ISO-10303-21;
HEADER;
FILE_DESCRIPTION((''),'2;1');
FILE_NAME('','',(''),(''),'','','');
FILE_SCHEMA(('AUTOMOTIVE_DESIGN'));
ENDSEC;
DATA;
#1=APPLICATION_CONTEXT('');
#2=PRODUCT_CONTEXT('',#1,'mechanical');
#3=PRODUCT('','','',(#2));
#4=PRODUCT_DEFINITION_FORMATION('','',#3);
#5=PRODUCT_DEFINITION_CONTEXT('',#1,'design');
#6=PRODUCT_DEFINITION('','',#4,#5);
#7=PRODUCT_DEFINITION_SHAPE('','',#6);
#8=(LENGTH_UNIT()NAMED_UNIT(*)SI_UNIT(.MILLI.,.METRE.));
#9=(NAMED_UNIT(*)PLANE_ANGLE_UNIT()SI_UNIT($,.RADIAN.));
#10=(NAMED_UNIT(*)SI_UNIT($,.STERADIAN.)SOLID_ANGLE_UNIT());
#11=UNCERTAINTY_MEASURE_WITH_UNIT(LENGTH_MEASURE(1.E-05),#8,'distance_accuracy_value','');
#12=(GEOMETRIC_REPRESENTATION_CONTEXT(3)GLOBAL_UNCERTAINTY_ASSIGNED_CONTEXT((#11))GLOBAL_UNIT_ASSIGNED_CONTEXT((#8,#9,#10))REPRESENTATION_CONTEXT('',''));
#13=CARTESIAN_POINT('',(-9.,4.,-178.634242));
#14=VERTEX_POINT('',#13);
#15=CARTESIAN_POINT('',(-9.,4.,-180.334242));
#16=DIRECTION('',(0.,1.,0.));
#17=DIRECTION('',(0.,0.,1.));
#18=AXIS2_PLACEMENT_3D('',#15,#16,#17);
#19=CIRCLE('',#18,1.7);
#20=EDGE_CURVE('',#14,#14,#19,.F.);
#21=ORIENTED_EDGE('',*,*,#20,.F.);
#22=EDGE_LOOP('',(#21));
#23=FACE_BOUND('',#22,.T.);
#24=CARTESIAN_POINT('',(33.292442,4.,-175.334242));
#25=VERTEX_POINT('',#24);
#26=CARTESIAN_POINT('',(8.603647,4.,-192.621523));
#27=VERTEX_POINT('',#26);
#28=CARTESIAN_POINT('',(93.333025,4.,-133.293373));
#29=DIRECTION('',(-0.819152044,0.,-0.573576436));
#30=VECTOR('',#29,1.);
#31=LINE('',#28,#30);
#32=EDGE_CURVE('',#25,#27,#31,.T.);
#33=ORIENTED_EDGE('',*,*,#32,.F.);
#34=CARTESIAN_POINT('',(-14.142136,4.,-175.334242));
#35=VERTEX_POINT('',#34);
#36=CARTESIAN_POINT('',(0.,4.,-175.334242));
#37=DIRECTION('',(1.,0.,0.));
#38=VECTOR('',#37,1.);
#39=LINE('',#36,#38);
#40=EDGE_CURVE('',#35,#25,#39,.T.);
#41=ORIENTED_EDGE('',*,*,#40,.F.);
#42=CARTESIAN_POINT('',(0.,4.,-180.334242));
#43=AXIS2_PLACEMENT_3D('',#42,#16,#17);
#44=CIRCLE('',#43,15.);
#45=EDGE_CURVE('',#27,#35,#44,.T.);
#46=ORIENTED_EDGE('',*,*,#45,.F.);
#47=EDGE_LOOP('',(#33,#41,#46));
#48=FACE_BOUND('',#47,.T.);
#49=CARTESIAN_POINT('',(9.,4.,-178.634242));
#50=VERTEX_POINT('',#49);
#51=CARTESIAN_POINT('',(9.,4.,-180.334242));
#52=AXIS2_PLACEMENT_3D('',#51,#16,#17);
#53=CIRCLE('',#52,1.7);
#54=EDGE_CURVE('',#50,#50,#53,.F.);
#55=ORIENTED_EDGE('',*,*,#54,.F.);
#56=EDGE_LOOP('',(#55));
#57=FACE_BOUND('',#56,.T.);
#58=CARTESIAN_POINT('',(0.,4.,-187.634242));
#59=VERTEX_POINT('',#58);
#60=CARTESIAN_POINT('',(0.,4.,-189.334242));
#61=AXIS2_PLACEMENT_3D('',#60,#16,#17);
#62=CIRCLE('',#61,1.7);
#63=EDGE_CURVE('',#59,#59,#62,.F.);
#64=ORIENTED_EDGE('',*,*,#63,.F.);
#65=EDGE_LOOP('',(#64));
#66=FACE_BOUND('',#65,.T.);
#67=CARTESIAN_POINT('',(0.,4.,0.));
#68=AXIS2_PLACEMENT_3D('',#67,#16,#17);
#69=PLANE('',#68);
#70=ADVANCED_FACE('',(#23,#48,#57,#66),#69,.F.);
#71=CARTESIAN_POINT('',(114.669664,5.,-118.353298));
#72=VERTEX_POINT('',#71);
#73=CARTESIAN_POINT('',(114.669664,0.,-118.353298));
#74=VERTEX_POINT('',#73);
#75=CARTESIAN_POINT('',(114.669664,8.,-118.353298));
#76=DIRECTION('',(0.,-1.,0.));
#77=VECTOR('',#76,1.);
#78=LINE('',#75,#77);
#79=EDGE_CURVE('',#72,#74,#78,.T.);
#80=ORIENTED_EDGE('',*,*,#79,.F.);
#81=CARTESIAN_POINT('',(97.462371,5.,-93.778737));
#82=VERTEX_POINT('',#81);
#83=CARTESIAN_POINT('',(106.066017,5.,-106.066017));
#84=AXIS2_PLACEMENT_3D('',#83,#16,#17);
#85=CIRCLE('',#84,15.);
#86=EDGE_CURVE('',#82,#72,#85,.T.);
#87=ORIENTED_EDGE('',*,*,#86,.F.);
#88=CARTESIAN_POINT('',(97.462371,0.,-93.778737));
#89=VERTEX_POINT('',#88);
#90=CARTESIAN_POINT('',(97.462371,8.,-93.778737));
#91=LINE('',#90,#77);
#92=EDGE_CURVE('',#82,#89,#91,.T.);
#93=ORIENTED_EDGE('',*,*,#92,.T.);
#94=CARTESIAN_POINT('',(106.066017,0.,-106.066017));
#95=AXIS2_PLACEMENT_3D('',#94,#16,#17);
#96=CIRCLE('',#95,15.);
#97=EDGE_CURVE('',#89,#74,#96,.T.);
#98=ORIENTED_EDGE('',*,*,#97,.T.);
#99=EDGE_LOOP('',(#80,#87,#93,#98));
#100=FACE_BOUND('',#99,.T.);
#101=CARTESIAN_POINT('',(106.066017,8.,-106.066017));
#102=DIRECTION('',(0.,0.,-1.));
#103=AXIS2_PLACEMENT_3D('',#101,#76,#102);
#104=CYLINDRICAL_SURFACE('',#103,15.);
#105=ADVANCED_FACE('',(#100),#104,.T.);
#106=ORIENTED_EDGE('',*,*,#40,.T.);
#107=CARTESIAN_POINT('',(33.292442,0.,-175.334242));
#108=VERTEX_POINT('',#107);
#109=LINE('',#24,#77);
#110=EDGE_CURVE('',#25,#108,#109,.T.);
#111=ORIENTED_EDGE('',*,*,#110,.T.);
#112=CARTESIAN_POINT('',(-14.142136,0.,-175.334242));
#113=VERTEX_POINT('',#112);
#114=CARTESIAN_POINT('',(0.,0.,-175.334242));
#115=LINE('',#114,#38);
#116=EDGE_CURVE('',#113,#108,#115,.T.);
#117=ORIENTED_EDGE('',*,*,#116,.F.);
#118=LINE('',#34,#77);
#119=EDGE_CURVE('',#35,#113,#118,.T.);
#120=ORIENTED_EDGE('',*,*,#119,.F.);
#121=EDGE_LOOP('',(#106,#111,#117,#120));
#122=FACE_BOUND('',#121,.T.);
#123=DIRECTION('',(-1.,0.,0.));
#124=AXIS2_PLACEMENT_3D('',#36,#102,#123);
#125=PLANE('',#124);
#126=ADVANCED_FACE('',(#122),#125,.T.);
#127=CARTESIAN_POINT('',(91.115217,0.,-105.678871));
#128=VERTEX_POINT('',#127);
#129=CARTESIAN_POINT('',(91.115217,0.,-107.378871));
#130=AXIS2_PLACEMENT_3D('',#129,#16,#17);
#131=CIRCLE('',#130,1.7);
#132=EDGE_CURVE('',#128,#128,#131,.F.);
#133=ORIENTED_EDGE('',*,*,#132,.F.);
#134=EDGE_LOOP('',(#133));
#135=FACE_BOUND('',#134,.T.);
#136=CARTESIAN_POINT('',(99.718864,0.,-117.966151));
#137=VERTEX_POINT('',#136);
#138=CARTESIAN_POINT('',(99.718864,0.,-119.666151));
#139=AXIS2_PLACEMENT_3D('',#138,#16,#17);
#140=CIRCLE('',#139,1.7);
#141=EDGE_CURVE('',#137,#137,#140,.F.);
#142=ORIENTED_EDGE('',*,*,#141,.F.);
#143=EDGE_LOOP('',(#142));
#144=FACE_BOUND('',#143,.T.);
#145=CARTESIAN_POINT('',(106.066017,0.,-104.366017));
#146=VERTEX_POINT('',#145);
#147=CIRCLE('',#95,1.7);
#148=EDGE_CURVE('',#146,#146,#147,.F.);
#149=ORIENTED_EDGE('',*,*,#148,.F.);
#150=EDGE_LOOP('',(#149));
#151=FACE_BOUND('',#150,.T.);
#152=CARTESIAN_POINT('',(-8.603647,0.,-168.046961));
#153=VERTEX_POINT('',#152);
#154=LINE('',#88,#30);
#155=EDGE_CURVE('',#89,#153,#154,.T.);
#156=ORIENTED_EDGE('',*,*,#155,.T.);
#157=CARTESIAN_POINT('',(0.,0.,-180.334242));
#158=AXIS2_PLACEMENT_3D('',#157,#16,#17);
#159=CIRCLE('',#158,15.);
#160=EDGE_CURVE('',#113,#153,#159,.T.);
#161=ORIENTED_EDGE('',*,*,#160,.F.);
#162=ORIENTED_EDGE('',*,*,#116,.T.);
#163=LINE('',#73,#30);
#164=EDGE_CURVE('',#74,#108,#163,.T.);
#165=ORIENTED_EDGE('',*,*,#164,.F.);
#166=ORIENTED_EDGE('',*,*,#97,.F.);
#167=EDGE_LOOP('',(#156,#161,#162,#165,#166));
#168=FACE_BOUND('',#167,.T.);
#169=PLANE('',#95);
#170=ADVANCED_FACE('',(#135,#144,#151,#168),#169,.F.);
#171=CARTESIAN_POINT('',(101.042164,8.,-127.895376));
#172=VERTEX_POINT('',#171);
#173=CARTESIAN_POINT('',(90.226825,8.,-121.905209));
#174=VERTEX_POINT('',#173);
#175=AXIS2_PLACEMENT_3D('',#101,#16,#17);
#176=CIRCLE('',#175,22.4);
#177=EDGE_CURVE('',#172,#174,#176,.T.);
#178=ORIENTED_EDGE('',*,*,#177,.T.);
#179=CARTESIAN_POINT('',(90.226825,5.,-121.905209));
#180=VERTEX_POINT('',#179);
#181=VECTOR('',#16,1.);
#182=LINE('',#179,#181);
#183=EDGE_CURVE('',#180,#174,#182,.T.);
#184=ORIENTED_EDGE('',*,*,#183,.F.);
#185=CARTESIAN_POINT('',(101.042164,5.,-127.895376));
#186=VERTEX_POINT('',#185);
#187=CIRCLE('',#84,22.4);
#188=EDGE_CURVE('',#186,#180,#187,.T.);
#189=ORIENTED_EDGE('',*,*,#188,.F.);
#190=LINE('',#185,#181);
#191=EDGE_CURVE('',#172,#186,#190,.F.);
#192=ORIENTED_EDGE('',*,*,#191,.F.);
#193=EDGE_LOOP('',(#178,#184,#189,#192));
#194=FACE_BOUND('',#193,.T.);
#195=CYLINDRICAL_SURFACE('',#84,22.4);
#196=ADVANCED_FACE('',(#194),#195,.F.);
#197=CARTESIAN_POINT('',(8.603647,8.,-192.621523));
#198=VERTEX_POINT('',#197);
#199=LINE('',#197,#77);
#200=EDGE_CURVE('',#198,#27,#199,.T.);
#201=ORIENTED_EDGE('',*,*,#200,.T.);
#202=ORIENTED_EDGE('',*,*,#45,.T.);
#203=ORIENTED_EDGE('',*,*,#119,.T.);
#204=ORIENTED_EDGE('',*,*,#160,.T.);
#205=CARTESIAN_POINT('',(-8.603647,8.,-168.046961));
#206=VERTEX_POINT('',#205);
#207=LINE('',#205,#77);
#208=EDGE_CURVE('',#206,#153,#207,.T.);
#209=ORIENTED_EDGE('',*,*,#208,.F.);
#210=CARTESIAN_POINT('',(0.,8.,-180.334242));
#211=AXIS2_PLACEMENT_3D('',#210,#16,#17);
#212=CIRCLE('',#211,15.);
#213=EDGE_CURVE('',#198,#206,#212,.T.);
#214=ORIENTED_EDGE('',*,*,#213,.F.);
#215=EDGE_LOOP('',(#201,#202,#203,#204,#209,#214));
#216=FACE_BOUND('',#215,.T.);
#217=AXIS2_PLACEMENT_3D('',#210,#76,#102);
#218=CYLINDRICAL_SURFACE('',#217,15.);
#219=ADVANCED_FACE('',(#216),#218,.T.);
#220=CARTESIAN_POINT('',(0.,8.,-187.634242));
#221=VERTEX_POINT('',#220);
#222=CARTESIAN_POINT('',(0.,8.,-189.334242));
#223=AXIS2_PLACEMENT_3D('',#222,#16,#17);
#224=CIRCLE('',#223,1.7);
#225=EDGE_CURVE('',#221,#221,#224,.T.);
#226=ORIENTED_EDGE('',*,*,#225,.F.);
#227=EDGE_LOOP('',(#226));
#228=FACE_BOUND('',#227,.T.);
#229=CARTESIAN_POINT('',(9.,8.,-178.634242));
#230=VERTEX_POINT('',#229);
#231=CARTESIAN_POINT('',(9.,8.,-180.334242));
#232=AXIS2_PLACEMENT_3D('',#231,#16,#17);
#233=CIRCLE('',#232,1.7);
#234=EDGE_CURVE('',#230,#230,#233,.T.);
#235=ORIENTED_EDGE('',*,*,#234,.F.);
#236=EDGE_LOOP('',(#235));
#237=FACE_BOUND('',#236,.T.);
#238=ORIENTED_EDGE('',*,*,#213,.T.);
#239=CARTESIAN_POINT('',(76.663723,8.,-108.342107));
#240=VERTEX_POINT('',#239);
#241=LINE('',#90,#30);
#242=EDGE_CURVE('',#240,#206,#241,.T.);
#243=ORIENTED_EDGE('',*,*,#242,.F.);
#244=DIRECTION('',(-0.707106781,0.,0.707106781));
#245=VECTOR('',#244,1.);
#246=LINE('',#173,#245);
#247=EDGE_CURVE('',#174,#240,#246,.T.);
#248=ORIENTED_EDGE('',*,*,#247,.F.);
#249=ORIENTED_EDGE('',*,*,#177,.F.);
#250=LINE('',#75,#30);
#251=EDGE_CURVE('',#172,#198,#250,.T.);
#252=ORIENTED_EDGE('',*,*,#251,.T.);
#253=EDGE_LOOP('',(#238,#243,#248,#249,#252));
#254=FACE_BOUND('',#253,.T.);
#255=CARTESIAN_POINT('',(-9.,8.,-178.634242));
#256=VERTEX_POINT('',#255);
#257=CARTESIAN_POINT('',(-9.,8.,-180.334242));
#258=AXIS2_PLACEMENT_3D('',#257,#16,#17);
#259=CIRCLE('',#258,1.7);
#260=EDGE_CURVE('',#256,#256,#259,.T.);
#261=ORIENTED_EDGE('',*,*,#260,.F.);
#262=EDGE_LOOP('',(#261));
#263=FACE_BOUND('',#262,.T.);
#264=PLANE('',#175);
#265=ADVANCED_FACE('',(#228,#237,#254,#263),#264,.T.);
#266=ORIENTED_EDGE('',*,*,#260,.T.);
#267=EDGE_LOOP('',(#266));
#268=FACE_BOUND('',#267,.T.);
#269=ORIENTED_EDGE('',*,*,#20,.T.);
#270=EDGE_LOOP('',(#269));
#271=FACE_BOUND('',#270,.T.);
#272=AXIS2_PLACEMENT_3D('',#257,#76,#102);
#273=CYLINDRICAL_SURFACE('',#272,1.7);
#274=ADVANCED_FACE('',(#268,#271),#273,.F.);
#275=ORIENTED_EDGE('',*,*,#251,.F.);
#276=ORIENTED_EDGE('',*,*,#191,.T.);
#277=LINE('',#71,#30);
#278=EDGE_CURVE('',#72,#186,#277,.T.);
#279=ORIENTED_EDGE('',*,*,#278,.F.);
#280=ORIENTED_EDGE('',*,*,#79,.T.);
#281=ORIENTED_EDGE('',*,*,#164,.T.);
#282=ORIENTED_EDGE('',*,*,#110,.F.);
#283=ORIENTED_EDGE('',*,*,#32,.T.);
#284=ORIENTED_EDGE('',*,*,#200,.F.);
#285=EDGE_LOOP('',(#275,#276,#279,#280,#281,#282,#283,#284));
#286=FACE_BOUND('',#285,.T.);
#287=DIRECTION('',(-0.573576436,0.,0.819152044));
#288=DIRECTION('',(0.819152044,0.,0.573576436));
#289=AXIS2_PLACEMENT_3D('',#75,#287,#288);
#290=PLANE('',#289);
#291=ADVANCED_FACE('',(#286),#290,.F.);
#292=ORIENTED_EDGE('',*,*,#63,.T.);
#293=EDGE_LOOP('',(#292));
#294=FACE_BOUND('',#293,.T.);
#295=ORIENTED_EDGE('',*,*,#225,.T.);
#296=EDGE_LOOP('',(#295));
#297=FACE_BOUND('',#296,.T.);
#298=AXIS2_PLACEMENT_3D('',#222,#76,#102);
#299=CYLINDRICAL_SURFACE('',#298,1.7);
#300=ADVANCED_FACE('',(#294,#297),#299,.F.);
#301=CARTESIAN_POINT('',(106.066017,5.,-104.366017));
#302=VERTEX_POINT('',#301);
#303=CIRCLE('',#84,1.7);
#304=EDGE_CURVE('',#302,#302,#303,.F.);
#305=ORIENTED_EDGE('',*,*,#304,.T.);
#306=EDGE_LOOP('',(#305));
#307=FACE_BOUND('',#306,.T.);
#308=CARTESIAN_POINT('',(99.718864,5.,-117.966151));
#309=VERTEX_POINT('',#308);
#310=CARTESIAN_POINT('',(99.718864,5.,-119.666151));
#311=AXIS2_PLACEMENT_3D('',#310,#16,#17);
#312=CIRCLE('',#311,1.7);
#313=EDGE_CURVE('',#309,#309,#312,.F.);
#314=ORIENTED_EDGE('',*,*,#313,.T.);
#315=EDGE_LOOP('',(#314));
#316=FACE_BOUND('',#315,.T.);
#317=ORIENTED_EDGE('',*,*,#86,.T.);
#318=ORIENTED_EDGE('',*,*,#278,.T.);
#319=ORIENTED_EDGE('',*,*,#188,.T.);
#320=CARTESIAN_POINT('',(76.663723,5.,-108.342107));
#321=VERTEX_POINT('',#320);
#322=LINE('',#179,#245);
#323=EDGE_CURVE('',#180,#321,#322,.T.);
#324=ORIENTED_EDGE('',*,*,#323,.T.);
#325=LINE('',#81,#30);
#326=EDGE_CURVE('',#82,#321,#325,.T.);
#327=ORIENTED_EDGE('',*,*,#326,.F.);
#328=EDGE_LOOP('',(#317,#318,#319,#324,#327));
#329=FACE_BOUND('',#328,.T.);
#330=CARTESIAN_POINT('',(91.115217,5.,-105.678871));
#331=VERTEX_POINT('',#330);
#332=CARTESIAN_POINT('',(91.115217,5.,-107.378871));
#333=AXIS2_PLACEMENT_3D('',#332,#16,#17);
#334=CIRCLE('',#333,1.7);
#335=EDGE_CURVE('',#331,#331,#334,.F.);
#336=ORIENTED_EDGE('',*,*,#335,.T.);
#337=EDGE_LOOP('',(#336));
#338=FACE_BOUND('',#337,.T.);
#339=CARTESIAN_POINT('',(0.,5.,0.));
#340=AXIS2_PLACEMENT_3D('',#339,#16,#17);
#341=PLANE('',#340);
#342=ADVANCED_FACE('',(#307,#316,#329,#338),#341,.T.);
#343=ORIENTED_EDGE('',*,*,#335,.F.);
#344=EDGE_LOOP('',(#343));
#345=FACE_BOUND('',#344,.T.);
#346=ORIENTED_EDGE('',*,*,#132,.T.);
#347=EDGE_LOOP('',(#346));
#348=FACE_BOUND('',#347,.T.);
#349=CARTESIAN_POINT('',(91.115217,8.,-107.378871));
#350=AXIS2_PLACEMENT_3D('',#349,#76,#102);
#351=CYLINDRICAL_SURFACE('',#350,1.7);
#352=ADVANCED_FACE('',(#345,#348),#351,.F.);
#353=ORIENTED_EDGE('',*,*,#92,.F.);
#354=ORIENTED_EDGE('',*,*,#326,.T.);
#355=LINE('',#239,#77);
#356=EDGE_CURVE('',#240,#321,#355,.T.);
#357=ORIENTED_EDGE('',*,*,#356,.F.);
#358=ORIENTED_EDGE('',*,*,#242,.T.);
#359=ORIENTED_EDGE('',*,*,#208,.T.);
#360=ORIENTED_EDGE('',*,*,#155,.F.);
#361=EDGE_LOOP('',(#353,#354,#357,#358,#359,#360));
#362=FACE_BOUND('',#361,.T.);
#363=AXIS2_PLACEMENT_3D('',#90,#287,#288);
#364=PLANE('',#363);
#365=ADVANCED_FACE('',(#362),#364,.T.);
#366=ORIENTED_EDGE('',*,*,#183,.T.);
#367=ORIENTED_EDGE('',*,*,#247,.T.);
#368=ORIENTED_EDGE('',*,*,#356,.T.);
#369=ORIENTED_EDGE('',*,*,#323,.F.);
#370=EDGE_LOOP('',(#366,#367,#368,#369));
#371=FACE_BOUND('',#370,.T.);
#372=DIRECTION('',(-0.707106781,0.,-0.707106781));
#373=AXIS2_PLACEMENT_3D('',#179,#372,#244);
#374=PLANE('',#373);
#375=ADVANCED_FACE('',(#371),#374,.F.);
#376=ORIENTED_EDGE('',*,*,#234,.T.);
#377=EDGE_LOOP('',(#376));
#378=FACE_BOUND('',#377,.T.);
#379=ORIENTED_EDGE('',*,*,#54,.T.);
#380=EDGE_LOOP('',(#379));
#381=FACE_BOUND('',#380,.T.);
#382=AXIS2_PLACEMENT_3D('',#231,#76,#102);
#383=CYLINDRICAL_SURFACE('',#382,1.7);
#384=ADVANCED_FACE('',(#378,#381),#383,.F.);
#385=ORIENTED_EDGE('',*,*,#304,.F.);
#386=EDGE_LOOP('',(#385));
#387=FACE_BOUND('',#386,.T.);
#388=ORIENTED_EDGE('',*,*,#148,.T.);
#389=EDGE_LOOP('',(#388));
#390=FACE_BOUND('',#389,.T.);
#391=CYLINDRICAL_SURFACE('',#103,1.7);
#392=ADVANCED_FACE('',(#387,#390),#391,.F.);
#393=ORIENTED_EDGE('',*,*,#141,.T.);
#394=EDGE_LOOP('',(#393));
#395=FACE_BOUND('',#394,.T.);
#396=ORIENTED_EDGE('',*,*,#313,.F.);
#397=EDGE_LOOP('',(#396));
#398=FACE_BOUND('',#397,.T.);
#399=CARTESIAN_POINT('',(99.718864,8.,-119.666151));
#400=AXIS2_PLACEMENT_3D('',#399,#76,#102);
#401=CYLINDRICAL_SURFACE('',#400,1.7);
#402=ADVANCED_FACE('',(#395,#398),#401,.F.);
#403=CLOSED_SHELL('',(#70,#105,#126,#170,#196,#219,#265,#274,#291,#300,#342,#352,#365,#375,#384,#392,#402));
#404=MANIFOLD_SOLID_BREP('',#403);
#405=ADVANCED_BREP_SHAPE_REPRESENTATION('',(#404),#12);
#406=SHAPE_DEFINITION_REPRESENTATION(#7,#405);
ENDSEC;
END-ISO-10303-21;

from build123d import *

# Parameters (mm, degrees)
BOSS_EXTRUDE1_DEPTH     = 8
CUT_EXTRUDE1_START      = 8
CUT_EXTRUDE1_DEPTH      = 3
SKETCH1_12_R            = 1.7
CUT_EXTRUDE2_DEPTH      = 4
CUT_EXTRUDE3_DEPTH      = 230.948791245
CUT_EXTRUDE3_DEPTH_BACK = 230.948791245
SKETCH1_13_R            = 1.7


with BuildPart() as part:
    # Sketch1 → Boss-Extrude1 (new body)
    with BuildSketch(Plane(origin=(0, 0, 0), x_dir=(1, 0, 0), z_dir=(0, 1, 0))):
        with BuildLine():
            Line((97.462370633, 93.778736514), (-8.603646545, 168.04696129))
            ThreePointArc((-8.603646545, 168.04696129), (-12.287280664, 188.937888499), (8.603646545, 192.621522618))
            Line((8.603646545, 192.621522618), (114.669663723, 118.353297842))
            ThreePointArc((114.669663723, 118.353297842), (118.353297842, 97.462370633), (97.462370633, 93.778736514))
        make_face()
    extrude(amount=BOSS_EXTRUDE1_DEPTH)

    # Sketch1<11> → Cut-Extrude1 (cut)
    with BuildSketch(Plane(origin=(0, 0, 0), x_dir=(1, 0, 0), z_dir=(0, 1, 0)).offset(CUT_EXTRUDE1_START)):
        with BuildLine():
            Line((-15.839191899, 15.839191899), (90.226825279, 121.905209077))
            ThreePointArc((90.226825279, 121.905209077), (121.905209077, 121.905209077), (121.905209077, 90.226825279))
            Line((121.905209077, 90.226825279), (15.839191899, -15.839191899))
            ThreePointArc((15.839191899, -15.839191899), (-15.839191899, -15.839191899), (-15.839191899, 15.839191899))
        make_face()
    extrude(amount=-CUT_EXTRUDE1_DEPTH, mode=Mode.SUBTRACT)

    # Sketch1<12> → Cut-Extrude2 (cut)
    with BuildSketch(Plane(origin=(0, 0, 0), x_dir=(1, 0, 0), z_dir=(0, 1, 0))):
        with BuildLine():
            ThreePointArc((8.603646545, 192.621522618), (-9.076410828, 192.276551885), (-14.142135624, 175.334241954))
            Line((-14.142135624, 175.334241954), (33.292441968, 175.334241954))
            Line((33.292441968, 175.334241954), (8.603646545, 192.621522618))
        make_face()
        with Locations(Location((-9, 180.334241954, 0), (0, 0, 270))):
            Circle(SKETCH1_12_R, mode=Mode.SUBTRACT)
        with Locations(Location((0, 189.334241954, 0), (0, 0, 270))):
            Circle(SKETCH1_12_R, mode=Mode.SUBTRACT)
        with Locations(Location((9, 180.334241954, 0), (0, 0, 270))):
            Circle(SKETCH1_12_R, mode=Mode.SUBTRACT)
    extrude(amount=CUT_EXTRUDE2_DEPTH, mode=Mode.SUBTRACT)

    # Sketch1<13> → Cut-Extrude3 (cut, two sides: drawn at the far end of the back side and taken through both)
    with BuildSketch(Plane(origin=(0, 0, 0), x_dir=(1, 0, 0), z_dir=(0, 1, 0)).offset(-CUT_EXTRUDE3_DEPTH_BACK)):
        with Locations(Location((0, 189.334241954, 0), (0, 0, 270))):
            Circle(SKETCH1_13_R)
        with Locations(Location((-9, 180.334241954, 0), (0, 0, 270))):
            Circle(SKETCH1_13_R)
        with Locations(Location((9, 180.334241954, 0), (0, 0, 270))):
            Circle(SKETCH1_13_R)
        with Locations(Location((99.718863875, 119.666151183, 0), (0, 0, 270))):
            Circle(SKETCH1_13_R)
        with Locations(Location((91.11521733, 107.378870518, 0), (0, 0, 270))):
            Circle(SKETCH1_13_R)
        with Locations(Location((106.066017178, 106.066017178, 0), (0, 0, 270))):
            Circle(SKETCH1_13_R)
    extrude(amount=CUT_EXTRUDE3_DEPTH + CUT_EXTRUDE3_DEPTH_BACK, mode=Mode.SUBTRACT)


solid = part.part
